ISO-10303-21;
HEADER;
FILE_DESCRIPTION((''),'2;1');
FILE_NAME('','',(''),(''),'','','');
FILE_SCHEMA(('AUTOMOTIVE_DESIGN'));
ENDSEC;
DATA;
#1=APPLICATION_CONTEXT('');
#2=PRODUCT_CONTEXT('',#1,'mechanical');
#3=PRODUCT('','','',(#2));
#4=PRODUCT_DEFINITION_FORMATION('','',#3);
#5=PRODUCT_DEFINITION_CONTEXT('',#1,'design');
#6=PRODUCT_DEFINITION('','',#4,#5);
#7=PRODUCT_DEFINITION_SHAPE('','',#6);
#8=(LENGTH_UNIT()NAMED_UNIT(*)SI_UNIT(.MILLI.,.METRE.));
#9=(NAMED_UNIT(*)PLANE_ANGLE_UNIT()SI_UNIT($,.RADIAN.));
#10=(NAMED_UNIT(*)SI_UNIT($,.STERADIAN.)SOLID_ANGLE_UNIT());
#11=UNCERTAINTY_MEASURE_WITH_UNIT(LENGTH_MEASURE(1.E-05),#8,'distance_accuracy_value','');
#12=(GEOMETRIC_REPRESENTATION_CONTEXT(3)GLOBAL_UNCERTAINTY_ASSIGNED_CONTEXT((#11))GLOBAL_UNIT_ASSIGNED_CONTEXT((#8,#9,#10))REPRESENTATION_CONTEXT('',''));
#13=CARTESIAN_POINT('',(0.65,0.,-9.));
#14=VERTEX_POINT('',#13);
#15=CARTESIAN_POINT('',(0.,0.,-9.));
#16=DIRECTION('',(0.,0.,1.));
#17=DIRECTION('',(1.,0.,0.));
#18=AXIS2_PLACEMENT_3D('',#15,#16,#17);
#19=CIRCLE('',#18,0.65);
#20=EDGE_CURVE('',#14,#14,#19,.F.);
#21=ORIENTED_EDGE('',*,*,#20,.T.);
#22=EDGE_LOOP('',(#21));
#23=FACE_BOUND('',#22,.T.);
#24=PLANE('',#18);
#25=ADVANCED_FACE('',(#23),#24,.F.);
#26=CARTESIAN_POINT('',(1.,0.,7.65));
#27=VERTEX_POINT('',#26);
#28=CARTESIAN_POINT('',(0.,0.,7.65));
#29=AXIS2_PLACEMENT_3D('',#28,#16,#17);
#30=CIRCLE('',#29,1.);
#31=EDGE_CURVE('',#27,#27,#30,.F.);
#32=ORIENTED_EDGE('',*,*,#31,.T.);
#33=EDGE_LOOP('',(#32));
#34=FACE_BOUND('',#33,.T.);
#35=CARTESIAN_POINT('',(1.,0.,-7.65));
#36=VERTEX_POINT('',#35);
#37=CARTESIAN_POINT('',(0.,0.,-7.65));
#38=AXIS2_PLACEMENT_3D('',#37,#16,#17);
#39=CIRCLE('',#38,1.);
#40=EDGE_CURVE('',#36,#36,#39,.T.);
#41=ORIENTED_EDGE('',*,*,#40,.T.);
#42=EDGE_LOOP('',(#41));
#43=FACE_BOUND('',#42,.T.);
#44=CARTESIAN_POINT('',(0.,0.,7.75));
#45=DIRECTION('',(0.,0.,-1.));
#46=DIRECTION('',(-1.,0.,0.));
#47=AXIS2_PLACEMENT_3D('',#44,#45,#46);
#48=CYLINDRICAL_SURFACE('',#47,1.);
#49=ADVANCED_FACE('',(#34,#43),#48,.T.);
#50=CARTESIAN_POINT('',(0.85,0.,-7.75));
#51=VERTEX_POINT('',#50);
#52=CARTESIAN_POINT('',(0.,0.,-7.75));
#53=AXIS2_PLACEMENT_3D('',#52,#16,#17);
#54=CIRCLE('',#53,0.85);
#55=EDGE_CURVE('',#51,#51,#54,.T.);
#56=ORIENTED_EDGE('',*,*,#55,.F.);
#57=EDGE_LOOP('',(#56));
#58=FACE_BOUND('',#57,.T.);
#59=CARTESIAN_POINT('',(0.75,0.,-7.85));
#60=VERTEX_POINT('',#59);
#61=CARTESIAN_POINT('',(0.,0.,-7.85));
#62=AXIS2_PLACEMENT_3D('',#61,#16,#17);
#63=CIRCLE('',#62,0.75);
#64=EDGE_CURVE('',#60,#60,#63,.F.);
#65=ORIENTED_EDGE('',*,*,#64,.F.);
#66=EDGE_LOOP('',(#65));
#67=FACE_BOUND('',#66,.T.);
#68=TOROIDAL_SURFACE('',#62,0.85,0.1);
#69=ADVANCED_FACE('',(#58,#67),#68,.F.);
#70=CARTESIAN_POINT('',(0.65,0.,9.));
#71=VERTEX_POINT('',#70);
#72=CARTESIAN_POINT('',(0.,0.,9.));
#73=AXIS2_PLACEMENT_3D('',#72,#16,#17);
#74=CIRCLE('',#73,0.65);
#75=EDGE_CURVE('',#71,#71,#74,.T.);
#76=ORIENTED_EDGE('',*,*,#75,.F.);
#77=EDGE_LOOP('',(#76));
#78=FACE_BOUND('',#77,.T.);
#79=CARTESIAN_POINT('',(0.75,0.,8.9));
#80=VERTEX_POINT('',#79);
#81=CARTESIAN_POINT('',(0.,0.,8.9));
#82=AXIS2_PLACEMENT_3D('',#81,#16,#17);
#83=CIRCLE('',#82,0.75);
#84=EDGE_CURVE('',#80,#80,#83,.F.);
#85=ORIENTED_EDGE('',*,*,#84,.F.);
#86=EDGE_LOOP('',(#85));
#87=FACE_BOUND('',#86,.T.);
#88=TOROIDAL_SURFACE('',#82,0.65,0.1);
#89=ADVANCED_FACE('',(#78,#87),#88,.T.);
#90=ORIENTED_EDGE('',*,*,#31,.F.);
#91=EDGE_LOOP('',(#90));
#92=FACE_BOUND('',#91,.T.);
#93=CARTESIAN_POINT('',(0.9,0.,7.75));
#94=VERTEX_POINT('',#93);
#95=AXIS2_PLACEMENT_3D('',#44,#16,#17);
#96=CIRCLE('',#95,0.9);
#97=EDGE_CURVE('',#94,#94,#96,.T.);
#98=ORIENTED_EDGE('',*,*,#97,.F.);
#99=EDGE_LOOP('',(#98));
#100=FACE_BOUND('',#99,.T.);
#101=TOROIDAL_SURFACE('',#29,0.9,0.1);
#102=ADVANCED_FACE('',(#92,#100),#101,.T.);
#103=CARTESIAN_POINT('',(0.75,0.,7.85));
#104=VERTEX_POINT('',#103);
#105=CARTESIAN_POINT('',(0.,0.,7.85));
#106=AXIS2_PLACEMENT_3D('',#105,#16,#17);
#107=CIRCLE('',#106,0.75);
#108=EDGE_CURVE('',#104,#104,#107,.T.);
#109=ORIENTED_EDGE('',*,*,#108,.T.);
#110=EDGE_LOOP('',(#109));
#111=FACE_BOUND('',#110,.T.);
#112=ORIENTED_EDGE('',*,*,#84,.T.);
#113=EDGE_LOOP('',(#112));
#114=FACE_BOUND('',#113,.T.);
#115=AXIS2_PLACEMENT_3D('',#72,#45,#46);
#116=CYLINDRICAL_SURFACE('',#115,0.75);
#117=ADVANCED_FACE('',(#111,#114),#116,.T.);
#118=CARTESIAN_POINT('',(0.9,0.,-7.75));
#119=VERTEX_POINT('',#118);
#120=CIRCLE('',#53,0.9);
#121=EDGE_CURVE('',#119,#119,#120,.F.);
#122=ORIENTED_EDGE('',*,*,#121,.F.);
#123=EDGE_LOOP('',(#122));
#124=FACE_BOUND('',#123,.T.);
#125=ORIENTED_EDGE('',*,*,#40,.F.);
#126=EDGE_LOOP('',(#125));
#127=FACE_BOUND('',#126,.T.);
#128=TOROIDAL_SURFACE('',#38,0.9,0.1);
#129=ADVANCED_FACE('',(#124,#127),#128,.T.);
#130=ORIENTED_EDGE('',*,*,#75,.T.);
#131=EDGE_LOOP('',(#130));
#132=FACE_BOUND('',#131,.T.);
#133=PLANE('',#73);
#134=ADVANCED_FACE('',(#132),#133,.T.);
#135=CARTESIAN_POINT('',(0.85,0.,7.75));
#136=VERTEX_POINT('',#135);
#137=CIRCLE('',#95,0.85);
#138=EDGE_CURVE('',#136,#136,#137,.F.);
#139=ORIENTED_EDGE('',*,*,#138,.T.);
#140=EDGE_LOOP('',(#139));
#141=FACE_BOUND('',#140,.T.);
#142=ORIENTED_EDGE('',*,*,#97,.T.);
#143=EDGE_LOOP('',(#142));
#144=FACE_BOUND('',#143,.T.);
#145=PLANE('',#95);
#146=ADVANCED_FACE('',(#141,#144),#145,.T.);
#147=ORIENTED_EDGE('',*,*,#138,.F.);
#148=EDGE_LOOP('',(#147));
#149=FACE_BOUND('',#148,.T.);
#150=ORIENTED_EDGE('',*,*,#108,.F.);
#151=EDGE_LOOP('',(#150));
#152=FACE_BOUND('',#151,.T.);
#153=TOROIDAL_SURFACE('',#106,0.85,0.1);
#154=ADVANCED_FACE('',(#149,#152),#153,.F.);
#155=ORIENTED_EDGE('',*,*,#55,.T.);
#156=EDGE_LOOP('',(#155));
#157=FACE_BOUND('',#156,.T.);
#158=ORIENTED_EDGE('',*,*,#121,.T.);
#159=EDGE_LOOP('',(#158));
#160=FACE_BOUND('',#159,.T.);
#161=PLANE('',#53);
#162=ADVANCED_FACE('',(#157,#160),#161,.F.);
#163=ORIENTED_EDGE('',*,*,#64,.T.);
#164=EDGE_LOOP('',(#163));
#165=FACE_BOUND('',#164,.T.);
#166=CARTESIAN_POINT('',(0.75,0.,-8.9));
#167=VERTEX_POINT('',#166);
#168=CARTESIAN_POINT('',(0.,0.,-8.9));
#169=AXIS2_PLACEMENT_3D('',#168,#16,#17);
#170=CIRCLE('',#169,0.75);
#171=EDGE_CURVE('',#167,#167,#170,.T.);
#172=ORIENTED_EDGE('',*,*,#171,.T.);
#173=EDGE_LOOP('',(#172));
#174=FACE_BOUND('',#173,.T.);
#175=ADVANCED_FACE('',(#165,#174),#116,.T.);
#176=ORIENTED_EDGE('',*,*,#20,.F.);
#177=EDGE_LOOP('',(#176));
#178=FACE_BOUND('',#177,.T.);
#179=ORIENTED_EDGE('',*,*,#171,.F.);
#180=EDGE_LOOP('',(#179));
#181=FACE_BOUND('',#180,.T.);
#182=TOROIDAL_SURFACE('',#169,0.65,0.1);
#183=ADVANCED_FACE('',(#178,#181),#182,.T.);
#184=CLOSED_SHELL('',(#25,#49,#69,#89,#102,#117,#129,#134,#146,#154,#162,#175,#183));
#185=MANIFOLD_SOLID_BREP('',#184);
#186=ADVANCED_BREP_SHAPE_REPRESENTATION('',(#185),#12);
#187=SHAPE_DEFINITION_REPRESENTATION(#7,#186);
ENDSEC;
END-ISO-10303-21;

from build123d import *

# Parameters (mm, degrees)
SKETCH1_R           = 1
BOSS_EXTRUDE1_DEPTH = 7.75
SKETCH2_R           = 0.75
BOSS_EXTRUDE2_DEPTH = 9
FILLET1_R           = 0.1


with BuildPart() as part:
    # Sketch1 → Boss-Extrude1 (new, symmetric)
    with BuildSketch(Plane.XY):
        Circle(SKETCH1_R)
    extrude(amount=BOSS_EXTRUDE1_DEPTH, both=True)

    # Sketch2 → Boss-Extrude2 (add, symmetric)
    with BuildSketch(Plane.XY):
        Circle(SKETCH2_R)
    extrude(amount=BOSS_EXTRUDE2_DEPTH, both=True)

    # Fillet1
    fillet1_edges = [part.edges().sort_by_distance(p)[0] for p in [
        (-1, 0, -7.75),
        (-1, 0, 7.75),
        (-0.75, 0, -7.75),
        (-0.75, 0, 7.75),
        (-0.75, 0, -9),
        (-0.75, 0, 9),
    ]]
    fillet(fillet1_edges, radius=FILLET1_R)


solid = part.part
